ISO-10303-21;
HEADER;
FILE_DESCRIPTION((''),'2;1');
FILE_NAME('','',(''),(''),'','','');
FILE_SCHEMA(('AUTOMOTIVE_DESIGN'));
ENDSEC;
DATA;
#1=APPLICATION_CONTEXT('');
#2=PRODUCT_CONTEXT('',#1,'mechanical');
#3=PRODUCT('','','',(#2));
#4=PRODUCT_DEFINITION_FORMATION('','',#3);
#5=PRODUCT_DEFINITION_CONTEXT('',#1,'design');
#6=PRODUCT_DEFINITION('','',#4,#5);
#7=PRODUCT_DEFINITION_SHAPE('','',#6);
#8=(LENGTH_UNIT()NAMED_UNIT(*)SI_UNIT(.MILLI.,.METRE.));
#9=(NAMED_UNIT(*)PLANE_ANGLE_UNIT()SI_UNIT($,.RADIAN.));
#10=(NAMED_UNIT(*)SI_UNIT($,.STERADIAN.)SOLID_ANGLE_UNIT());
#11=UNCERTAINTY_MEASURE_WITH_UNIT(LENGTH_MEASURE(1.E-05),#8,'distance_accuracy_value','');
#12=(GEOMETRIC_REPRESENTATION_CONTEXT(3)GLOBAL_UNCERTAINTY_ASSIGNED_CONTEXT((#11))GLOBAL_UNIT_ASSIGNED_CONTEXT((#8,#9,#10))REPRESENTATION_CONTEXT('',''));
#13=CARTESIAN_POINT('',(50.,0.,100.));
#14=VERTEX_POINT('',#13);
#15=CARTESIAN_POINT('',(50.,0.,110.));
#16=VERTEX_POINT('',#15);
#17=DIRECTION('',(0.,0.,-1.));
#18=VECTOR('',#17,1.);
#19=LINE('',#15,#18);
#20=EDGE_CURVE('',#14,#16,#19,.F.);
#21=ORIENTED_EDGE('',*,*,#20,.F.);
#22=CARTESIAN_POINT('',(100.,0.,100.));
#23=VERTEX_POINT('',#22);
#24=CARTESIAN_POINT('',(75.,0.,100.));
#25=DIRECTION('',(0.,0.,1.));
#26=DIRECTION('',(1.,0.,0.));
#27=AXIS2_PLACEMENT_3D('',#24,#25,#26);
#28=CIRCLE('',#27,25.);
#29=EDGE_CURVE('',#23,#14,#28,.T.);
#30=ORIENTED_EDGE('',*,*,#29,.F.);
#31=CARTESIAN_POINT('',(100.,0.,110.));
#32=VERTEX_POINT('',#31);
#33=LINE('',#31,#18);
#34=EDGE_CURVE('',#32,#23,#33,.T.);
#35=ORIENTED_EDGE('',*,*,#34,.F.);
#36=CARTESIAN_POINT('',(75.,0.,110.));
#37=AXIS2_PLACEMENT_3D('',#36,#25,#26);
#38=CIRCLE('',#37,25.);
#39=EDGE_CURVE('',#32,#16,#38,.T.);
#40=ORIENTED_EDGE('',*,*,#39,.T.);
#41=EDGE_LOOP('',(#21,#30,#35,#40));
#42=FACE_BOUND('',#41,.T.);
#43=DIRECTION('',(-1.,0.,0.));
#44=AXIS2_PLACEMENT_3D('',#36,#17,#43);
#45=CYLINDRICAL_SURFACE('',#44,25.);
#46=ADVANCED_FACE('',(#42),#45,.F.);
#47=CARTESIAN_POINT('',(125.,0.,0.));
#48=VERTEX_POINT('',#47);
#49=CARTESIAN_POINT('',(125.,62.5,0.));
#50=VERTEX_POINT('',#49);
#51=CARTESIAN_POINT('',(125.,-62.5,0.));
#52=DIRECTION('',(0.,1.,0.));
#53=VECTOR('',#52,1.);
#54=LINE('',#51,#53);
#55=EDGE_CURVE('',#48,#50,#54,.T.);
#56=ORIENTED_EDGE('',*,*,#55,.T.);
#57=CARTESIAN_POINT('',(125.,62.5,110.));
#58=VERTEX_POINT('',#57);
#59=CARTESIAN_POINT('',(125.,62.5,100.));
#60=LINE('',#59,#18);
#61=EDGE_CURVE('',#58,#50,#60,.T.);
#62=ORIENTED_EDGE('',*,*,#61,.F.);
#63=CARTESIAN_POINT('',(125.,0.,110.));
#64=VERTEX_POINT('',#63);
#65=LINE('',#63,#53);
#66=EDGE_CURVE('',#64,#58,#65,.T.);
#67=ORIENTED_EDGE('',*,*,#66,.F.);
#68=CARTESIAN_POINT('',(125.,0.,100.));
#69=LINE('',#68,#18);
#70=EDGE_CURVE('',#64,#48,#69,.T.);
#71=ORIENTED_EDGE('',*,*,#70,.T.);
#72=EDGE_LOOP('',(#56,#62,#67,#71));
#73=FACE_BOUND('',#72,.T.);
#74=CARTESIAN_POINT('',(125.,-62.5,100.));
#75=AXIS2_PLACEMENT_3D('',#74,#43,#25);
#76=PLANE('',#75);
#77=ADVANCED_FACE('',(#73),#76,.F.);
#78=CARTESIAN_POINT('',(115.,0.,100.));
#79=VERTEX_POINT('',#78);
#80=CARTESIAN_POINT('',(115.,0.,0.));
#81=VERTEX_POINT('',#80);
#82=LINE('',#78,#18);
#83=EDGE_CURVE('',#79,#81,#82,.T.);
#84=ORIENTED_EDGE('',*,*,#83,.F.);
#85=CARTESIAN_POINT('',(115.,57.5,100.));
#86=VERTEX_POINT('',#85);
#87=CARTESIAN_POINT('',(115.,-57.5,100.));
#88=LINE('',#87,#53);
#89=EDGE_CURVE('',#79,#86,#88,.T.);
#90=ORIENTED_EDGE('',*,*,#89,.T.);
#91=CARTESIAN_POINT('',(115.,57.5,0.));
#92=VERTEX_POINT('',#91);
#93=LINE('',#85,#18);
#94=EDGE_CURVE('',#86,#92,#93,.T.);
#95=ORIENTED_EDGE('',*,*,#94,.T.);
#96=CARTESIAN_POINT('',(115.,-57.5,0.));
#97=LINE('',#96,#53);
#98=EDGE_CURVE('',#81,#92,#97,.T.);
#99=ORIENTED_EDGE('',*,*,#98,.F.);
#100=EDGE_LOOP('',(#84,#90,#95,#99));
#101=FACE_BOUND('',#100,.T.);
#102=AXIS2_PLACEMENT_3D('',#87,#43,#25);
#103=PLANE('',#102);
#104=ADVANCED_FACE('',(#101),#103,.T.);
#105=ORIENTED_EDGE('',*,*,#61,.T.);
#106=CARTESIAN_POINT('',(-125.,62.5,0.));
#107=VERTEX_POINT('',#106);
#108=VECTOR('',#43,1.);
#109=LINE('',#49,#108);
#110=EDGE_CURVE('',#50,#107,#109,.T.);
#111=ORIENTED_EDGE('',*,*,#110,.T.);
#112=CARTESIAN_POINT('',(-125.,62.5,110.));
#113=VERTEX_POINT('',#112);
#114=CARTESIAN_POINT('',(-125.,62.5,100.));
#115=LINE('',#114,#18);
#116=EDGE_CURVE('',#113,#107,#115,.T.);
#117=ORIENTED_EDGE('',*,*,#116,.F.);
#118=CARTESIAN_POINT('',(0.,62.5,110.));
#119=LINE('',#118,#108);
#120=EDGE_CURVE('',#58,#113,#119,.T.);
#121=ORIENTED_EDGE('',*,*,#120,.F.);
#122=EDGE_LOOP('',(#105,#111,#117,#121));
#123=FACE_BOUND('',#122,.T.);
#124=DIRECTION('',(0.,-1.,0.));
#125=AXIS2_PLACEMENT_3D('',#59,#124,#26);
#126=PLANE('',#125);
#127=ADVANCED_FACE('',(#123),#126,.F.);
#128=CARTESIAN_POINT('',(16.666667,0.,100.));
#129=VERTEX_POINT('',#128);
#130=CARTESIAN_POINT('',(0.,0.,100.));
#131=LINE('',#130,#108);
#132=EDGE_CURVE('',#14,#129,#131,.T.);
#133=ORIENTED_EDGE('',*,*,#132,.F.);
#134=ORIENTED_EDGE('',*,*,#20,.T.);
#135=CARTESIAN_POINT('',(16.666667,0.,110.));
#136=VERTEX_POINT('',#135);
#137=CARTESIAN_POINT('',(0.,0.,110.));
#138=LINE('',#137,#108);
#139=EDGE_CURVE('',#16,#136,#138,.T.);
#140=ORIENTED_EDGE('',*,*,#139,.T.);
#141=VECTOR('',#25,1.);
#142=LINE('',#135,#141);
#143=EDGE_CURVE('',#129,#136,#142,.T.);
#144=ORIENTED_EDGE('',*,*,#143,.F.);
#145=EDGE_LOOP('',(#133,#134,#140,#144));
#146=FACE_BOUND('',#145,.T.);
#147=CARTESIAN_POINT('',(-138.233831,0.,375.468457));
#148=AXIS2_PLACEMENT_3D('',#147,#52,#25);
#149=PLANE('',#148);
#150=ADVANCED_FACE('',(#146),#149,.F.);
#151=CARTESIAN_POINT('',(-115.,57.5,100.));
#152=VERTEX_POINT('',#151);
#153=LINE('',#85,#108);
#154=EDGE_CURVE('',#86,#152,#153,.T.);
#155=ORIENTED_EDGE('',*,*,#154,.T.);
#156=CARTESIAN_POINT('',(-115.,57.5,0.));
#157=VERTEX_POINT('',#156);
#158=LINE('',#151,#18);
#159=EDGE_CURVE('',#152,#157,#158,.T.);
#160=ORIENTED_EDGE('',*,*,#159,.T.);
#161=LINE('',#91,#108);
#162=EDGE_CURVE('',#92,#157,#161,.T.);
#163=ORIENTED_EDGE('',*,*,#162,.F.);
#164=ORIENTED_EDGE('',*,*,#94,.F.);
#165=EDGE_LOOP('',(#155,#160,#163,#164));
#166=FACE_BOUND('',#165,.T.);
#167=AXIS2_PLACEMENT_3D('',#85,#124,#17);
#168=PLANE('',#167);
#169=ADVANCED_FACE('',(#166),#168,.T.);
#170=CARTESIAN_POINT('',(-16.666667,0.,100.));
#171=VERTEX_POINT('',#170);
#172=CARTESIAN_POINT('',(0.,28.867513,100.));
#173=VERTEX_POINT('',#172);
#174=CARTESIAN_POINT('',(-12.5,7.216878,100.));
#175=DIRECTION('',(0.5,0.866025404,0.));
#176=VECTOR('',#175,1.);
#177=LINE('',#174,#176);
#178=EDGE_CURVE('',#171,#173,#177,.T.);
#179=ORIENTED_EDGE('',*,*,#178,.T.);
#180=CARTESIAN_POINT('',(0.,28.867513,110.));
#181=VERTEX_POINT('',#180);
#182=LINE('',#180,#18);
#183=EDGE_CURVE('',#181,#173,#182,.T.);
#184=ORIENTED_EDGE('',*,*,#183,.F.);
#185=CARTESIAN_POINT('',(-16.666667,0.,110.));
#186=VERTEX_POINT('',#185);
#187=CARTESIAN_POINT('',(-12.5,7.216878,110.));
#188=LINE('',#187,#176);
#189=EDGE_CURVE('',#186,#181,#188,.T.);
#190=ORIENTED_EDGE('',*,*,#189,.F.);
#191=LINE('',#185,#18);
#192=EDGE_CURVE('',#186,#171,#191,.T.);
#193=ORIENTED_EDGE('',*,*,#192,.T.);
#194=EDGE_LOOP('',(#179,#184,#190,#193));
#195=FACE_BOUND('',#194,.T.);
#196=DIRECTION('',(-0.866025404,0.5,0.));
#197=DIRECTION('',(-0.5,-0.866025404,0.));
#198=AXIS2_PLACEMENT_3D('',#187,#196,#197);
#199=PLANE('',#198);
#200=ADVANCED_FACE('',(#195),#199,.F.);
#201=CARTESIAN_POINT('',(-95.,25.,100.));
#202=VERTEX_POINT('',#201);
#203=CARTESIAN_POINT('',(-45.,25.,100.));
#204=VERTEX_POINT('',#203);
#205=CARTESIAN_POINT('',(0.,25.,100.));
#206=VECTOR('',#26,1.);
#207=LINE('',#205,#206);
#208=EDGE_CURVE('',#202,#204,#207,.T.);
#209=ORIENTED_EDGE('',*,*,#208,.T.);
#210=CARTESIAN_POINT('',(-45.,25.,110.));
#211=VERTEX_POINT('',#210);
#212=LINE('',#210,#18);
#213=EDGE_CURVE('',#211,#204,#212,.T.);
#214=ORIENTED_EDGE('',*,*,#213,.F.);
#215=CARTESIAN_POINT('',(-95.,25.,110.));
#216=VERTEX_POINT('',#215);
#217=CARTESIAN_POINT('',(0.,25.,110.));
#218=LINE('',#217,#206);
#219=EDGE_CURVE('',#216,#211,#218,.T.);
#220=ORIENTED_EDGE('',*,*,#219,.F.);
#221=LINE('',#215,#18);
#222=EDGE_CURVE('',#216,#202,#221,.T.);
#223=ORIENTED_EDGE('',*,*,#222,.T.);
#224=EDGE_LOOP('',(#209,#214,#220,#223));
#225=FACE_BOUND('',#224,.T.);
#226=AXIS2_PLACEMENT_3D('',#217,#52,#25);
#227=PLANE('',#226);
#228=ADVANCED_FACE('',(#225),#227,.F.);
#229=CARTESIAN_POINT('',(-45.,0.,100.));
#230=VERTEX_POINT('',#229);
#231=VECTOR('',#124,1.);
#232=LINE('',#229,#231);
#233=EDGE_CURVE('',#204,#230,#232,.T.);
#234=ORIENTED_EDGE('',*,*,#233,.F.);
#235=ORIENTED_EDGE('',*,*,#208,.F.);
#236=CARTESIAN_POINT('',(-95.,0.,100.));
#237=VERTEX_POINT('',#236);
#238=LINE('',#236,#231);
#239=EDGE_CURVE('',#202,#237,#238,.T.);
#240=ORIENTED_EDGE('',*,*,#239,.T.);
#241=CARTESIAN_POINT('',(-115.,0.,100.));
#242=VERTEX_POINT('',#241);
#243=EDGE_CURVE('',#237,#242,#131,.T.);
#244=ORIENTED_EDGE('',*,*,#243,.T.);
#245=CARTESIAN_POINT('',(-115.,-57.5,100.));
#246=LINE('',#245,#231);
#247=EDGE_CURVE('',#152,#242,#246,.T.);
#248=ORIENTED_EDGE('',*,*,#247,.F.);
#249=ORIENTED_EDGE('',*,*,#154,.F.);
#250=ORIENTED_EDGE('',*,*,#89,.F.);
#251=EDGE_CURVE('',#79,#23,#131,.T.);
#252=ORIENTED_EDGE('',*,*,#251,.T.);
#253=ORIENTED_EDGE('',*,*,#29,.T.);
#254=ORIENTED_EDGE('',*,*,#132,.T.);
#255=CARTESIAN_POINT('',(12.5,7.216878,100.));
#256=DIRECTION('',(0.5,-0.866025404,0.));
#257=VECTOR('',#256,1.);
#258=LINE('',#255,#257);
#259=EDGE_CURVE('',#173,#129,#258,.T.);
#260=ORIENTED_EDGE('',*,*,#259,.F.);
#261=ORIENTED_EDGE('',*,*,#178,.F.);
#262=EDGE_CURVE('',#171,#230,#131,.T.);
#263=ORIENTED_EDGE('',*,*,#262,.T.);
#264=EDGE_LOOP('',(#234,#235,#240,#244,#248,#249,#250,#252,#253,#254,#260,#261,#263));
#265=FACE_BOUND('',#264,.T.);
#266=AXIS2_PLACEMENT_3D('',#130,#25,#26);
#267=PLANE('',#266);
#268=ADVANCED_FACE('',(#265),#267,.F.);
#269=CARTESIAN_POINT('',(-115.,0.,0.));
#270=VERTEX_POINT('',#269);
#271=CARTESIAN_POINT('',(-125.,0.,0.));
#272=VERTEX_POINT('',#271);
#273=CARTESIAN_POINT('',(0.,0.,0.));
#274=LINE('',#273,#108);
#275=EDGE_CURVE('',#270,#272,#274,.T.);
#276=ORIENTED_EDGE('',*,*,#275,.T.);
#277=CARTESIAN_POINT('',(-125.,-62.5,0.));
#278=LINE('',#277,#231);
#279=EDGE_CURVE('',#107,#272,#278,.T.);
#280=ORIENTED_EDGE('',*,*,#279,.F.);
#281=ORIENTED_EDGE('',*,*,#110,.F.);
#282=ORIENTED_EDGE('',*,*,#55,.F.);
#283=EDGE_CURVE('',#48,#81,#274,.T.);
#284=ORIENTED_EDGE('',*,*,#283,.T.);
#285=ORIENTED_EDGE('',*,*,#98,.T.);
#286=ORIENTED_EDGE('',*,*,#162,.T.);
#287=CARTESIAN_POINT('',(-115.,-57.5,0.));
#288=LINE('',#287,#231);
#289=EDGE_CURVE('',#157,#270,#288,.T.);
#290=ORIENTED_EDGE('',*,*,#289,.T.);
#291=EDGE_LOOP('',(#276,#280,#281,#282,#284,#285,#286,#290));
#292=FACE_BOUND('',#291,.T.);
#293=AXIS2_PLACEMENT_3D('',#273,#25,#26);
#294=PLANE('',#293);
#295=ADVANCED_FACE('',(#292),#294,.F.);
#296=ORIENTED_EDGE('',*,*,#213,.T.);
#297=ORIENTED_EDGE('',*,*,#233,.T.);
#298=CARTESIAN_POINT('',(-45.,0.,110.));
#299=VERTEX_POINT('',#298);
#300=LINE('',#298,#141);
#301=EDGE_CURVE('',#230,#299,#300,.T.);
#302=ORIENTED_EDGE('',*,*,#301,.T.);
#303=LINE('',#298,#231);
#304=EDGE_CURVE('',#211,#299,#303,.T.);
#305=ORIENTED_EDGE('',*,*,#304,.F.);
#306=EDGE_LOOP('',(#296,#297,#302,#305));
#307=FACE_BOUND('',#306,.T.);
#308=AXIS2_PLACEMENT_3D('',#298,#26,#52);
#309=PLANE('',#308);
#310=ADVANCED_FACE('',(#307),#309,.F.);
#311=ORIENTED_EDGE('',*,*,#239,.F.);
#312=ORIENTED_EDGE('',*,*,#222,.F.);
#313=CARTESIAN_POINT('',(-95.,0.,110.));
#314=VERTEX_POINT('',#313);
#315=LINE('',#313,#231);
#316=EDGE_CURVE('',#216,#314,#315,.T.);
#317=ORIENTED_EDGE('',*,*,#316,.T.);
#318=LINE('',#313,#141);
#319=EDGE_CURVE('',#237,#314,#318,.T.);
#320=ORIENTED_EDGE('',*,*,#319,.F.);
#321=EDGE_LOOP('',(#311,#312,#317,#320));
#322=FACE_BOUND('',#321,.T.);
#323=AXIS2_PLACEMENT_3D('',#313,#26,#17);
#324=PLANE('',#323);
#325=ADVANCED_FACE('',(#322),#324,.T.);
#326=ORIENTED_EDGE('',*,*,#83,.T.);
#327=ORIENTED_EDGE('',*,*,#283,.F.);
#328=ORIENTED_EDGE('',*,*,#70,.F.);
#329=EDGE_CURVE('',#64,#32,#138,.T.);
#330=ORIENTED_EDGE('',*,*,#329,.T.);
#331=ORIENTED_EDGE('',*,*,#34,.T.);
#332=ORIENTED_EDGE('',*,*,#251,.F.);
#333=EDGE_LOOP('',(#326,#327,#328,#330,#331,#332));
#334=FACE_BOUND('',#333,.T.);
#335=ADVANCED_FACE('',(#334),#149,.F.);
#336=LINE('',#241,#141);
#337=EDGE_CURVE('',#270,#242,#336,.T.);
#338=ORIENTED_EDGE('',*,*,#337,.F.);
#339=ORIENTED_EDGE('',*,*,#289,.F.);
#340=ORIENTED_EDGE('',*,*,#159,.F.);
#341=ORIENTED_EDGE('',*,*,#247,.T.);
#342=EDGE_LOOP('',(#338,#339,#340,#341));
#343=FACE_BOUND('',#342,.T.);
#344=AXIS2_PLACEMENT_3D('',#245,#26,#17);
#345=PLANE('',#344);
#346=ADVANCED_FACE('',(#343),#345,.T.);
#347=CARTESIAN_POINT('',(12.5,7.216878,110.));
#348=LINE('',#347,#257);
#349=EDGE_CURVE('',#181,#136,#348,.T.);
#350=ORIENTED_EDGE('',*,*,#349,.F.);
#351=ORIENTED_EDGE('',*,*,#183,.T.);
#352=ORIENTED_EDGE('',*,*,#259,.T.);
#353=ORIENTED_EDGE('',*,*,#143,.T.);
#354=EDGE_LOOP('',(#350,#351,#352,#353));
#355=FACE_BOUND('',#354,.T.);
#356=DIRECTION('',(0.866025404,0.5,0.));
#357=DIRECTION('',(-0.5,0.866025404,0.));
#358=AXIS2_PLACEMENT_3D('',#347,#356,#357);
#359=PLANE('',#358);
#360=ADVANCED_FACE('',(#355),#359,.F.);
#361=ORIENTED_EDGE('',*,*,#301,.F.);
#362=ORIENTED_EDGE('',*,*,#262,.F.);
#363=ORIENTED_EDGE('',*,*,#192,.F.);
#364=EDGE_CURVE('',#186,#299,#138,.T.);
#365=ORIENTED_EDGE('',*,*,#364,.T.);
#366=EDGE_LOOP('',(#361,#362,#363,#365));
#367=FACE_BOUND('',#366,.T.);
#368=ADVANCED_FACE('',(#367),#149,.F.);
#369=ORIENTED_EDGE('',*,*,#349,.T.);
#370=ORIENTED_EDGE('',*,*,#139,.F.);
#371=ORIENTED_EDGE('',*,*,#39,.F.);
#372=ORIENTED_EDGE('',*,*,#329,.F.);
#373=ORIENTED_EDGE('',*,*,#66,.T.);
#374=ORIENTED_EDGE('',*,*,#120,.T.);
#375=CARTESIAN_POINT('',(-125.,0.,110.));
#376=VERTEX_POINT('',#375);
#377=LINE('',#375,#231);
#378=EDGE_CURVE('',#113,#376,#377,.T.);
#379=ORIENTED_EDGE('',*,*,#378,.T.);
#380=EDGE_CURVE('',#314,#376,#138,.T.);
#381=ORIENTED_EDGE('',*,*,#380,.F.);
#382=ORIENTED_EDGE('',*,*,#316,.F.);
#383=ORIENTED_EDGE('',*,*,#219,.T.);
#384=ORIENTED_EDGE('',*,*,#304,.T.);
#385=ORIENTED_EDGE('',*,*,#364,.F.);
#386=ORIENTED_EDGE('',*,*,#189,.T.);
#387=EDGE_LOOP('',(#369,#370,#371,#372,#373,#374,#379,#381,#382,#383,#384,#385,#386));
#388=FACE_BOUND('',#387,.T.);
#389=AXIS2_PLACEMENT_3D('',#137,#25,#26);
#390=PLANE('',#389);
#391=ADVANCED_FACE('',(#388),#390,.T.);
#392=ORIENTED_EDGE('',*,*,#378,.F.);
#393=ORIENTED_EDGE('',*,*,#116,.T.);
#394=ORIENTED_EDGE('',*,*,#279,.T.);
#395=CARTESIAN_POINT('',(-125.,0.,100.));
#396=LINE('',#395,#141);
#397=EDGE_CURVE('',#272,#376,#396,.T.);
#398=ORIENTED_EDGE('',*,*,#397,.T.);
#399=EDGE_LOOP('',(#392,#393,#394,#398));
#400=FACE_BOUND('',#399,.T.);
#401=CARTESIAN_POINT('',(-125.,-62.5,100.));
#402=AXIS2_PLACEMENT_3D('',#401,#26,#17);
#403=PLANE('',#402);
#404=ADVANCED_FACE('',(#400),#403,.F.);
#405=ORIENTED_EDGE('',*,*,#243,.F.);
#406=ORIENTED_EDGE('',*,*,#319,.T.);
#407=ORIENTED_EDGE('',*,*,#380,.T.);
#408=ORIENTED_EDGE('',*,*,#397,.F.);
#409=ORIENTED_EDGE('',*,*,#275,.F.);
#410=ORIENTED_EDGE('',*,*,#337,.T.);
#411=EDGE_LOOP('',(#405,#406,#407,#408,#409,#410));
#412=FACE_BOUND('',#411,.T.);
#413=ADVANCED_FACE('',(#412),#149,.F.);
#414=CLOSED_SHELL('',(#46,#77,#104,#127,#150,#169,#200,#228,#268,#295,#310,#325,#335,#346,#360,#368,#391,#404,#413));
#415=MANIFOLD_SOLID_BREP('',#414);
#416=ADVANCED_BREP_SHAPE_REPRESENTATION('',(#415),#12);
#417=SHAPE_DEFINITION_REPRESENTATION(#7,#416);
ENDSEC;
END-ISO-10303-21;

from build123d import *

# Parameters (mm, degrees)
SKETCH1_W               = 250
SKETCH1_H               = 125
SKETCH1_W_2             = 230
SKETCH1_H_2             = 115
BOSS_EXTRUDE1_DEPTH     = 100
SKETCH3_W               = 250
SKETCH3_H               = 125
SKETCH3_W_2             = 230
SKETCH3_H_2             = 115
SKETCH3_R               = 25
SKETCH3_W_3             = 50
SKETCH3_H_3             = 50
BOSS_EXTRUDE4_DEPTH     = 10
CUT_EXTRUDE2_DEPTH      = 178.851764118
CUT_EXTRUDE2_DEPTH_BACK = 178.851764118


with BuildPart() as part:
    # Sketch1 → Boss-Extrude1 (new body)
    with BuildSketch(Plane.XY):
        Rectangle(SKETCH1_W, SKETCH1_H)
        Rectangle(SKETCH1_W_2, SKETCH1_H_2, mode=Mode.SUBTRACT)
    extrude(amount=BOSS_EXTRUDE1_DEPTH)

    # Sketch3 → Boss-Extrude4 (add)
    # profile 1 of 2: a face of its own
    with BuildSketch(Plane.XY.offset(100)):
        Rectangle(SKETCH3_W, SKETCH3_H)
        Rectangle(SKETCH3_W_2, SKETCH3_H_2, mode=Mode.SUBTRACT)
    # profile 2 of 2: a face of its own
    with BuildSketch(Plane.XY.offset(100)):
        Rectangle(SKETCH3_W_2, SKETCH3_H_2)
        with Locations((75, 0)):
            Circle(SKETCH3_R, mode=Mode.SUBTRACT)
        with Locations((-70, 0)):
            Rectangle(SKETCH3_W_3, SKETCH3_H_3, mode=Mode.SUBTRACT)
        Polygon((0, 28.867513459), (25, -14.43375673), (-25, -14.43375673), align=None, mode=Mode.SUBTRACT)
    extrude(amount=BOSS_EXTRUDE4_DEPTH)

    # Sketch4 → Cut-Extrude2 (cut, two sides: drawn at the far end of the back side and taken through both)
    with BuildSketch(Plane.XY.offset(-CUT_EXTRUDE2_DEPTH_BACK)):
        Polygon((-709.844547741, 0), (-138.233831443, 0), (148.761573573, 0), (720.372289871, 0), (720.372289871, -1143.221432596), (-709.844547741, -1143.221432596), align=None)
    extrude(amount=CUT_EXTRUDE2_DEPTH + CUT_EXTRUDE2_DEPTH_BACK, mode=Mode.SUBTRACT)


solid = part.part
